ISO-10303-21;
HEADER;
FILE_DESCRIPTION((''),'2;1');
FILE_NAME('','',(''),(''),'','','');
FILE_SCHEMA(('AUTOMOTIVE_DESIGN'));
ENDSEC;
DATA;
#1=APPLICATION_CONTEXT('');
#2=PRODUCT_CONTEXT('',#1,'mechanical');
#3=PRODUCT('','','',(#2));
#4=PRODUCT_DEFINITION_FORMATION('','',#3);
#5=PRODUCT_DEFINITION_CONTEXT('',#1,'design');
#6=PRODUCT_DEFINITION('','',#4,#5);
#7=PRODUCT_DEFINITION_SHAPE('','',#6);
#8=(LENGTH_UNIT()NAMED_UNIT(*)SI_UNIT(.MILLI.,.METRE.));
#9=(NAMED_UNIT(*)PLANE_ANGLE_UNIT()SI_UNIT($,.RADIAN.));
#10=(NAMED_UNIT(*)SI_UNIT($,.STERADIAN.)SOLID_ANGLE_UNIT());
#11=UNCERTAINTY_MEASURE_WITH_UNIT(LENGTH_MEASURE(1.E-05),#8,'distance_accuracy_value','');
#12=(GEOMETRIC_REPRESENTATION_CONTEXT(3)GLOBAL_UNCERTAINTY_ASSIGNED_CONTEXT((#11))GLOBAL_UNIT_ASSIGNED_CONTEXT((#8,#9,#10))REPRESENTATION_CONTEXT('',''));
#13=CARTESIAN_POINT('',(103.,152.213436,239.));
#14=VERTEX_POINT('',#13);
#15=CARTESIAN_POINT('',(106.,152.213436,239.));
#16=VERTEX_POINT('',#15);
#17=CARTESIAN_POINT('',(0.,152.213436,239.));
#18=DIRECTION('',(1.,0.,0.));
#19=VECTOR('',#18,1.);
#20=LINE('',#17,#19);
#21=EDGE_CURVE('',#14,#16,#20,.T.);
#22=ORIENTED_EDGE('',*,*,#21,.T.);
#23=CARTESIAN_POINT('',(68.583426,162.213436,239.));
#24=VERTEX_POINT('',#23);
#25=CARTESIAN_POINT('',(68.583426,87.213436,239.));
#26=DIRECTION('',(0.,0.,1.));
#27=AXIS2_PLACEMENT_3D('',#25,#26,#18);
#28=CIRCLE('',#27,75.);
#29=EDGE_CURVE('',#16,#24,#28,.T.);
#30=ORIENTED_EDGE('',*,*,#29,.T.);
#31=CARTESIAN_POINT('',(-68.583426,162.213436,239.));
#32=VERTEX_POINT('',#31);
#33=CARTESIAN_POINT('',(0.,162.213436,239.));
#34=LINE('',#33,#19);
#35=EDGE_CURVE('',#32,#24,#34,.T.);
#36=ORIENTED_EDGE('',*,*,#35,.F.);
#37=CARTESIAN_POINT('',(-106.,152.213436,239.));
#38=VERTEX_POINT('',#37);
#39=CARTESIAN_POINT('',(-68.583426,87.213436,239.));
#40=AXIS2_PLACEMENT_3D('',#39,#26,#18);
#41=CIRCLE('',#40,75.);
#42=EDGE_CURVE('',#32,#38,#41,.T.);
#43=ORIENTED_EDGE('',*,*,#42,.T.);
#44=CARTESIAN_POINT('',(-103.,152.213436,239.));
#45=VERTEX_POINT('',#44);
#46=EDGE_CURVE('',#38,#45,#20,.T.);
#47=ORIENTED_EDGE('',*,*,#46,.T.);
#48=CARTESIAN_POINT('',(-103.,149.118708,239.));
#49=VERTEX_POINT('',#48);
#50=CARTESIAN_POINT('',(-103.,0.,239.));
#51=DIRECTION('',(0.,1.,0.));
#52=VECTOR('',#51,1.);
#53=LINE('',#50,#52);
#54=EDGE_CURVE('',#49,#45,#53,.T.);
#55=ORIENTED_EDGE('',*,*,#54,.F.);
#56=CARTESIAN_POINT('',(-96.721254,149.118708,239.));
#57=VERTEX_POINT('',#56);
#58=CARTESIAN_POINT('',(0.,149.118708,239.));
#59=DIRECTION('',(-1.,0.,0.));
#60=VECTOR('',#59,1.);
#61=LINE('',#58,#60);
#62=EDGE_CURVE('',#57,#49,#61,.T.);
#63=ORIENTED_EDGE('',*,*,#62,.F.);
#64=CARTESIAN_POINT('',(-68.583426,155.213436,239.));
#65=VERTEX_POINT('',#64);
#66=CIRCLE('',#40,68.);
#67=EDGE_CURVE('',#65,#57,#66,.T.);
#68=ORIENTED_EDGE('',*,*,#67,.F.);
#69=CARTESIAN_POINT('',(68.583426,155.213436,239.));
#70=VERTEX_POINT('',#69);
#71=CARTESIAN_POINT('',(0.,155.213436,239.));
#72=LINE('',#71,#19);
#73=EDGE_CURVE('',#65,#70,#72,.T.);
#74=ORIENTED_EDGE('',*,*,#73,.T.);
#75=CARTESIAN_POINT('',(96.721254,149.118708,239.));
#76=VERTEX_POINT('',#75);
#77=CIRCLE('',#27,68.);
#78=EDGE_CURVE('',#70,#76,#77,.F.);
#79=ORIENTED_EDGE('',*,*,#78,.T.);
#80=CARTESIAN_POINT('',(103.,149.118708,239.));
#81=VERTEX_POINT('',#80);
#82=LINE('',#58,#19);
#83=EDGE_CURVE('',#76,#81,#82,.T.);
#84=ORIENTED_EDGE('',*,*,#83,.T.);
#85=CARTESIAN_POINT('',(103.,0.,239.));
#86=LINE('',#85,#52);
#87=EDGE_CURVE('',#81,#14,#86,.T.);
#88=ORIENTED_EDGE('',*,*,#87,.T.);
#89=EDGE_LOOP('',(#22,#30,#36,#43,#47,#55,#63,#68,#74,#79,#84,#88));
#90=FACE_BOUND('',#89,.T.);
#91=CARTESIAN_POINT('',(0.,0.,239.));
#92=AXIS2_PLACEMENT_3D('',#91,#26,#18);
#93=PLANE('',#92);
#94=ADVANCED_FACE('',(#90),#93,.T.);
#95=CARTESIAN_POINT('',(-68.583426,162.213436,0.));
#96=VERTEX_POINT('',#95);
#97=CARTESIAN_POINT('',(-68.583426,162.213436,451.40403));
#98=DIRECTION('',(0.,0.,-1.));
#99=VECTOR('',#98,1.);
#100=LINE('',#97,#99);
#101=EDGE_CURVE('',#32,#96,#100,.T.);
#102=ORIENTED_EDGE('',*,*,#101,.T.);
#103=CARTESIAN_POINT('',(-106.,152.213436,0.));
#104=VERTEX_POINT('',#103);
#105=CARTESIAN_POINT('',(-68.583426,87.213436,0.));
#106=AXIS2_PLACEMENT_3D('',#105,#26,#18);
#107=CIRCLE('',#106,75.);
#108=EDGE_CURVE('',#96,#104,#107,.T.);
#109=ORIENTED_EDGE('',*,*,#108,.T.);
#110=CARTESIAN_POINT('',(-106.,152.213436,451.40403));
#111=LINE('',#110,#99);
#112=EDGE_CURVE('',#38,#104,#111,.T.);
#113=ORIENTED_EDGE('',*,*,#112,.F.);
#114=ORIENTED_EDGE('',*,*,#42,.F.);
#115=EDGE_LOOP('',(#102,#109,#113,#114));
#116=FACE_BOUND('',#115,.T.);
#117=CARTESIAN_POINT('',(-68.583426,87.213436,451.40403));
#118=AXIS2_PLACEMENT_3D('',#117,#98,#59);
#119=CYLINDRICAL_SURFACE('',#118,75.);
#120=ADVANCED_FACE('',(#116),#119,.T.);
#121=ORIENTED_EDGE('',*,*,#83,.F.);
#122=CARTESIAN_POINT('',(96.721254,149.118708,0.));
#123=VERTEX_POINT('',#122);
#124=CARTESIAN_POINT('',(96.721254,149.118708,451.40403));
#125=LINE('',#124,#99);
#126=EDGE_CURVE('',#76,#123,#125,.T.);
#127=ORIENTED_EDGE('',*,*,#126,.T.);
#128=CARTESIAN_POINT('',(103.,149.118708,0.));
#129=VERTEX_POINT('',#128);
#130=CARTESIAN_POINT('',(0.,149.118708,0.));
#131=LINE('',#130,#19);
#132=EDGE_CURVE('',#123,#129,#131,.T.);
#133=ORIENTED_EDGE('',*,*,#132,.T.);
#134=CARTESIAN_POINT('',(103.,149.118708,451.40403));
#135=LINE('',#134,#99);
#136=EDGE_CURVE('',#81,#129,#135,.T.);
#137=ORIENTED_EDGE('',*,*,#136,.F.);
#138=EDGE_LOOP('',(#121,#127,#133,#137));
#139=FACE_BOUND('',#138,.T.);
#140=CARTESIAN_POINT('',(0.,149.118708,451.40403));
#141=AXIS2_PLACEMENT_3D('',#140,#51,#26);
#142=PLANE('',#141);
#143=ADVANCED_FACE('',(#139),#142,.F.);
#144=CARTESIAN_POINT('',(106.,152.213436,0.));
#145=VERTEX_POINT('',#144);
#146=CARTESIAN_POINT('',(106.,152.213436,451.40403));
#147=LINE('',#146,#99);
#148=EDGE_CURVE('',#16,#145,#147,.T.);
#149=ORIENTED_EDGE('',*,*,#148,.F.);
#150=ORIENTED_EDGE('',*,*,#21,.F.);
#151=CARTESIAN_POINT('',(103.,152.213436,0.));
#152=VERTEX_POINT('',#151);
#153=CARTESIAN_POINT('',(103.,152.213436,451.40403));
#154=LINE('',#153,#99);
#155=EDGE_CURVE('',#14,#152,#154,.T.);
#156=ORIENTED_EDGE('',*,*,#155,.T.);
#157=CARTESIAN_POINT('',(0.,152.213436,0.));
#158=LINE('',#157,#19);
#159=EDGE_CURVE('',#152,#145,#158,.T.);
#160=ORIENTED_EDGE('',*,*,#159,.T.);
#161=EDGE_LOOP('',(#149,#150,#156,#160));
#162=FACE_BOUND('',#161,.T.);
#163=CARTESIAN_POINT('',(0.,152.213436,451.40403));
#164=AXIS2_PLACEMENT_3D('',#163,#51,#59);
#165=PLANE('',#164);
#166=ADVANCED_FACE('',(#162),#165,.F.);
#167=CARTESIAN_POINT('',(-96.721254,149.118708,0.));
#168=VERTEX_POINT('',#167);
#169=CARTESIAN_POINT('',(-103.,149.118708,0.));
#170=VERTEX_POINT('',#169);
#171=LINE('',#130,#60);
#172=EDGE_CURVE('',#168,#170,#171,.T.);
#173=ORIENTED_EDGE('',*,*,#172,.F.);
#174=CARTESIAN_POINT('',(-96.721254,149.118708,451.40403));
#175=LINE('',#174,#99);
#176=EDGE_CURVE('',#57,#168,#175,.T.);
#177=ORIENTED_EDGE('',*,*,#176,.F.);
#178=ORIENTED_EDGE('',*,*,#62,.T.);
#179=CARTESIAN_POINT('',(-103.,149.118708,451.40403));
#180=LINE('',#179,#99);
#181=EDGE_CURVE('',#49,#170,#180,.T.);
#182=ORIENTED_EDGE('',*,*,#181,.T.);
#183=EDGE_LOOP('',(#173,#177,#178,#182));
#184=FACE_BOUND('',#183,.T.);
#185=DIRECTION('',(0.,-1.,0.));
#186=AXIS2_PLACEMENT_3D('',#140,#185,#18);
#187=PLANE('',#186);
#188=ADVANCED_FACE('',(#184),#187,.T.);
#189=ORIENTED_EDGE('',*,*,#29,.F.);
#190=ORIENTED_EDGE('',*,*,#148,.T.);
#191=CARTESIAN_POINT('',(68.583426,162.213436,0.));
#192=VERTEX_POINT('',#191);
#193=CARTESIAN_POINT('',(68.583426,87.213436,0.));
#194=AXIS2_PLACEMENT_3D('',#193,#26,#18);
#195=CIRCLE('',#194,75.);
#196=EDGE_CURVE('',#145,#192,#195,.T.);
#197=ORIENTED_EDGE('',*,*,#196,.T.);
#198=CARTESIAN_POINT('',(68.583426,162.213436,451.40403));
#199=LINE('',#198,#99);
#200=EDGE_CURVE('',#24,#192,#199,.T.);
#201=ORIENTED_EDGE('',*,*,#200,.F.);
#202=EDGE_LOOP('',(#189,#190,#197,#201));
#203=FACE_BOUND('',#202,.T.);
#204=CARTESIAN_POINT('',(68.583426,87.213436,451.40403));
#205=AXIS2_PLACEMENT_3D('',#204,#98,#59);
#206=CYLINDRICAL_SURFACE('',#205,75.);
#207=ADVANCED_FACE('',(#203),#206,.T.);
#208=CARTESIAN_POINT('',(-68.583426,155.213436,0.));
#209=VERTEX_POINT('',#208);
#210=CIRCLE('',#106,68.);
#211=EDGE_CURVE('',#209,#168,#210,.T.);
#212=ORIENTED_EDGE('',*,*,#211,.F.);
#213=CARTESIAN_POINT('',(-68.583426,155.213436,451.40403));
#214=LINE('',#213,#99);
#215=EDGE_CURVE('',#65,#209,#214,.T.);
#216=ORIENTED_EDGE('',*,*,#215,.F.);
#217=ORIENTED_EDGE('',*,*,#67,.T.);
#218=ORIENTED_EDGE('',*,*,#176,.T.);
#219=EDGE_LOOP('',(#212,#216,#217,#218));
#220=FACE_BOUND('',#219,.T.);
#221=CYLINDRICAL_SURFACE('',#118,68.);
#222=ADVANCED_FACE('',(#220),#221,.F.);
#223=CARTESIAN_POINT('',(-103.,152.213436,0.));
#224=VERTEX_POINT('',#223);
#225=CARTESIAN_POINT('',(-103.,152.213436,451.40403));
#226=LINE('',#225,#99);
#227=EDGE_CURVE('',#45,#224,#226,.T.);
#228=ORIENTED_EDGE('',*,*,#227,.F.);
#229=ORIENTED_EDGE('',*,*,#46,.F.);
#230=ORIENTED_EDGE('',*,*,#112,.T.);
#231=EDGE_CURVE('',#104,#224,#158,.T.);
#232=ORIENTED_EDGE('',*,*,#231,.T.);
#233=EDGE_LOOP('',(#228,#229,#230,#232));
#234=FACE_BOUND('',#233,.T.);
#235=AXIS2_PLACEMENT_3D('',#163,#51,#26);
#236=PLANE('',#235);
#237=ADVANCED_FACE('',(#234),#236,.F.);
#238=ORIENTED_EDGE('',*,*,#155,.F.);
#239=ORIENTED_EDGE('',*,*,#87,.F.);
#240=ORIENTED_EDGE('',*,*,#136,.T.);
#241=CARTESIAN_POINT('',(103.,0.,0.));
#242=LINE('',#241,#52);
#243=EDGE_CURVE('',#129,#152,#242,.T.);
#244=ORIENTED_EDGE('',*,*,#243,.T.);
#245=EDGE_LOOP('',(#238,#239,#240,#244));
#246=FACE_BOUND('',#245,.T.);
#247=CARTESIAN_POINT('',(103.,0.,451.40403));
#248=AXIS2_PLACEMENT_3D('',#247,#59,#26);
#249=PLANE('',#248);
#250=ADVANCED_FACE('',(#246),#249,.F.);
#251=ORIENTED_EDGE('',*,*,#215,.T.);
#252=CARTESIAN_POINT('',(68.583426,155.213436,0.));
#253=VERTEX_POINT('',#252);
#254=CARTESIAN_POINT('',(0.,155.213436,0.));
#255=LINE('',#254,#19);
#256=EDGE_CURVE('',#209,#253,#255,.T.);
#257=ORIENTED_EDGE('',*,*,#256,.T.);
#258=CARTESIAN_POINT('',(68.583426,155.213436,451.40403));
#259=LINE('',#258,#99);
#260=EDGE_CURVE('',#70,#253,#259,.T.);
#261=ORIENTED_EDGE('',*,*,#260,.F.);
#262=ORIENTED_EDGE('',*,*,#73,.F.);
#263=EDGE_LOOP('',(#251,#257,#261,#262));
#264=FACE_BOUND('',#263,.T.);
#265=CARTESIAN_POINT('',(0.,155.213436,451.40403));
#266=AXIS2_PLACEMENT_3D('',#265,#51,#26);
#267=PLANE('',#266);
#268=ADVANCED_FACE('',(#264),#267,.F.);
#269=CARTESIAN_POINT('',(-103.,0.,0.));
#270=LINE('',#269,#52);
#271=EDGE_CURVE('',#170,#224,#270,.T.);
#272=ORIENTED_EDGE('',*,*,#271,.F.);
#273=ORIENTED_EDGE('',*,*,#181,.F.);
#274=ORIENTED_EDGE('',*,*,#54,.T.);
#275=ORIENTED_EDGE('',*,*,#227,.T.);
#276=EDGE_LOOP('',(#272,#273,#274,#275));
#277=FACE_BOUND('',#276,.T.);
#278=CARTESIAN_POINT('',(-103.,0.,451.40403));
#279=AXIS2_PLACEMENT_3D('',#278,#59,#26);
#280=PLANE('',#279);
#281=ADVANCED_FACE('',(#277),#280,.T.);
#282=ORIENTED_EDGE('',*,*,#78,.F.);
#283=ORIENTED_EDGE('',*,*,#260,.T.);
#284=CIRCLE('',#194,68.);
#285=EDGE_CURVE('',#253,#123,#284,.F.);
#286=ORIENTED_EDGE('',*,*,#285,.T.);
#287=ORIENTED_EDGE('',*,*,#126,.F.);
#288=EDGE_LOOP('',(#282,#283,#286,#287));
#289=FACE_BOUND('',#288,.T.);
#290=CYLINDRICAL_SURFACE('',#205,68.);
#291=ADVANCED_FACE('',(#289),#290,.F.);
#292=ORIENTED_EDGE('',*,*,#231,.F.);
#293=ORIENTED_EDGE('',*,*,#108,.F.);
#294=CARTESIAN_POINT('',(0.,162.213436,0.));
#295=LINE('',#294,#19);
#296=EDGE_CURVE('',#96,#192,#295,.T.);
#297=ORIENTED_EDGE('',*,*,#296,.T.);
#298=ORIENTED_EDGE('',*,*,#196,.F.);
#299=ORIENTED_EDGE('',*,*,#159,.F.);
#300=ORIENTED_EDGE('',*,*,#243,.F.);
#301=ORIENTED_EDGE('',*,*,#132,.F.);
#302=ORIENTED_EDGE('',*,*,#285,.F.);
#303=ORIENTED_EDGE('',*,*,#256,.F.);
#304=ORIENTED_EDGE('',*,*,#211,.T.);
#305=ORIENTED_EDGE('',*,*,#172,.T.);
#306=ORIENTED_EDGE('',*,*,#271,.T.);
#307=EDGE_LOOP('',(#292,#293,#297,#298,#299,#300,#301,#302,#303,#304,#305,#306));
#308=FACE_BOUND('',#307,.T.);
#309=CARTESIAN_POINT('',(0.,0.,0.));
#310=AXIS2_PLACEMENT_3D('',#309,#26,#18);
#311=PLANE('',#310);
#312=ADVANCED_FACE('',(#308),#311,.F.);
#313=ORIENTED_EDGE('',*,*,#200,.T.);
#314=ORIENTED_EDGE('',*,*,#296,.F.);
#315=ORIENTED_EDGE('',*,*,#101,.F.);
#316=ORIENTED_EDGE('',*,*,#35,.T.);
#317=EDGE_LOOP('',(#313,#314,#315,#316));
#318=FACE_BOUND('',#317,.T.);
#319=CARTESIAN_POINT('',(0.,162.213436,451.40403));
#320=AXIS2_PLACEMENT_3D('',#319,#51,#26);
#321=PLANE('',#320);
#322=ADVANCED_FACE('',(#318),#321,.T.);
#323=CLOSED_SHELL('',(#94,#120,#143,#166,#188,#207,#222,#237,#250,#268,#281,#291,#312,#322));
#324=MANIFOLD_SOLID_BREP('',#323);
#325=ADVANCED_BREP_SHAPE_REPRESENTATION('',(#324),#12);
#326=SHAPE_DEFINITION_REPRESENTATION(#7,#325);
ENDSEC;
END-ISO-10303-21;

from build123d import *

# Parameters (mm, degrees)
BOSS_EXTRUDE1_DEPTH = 239


with BuildPart() as part:
    # Sketch1 → Boss-Extrude1 (new body)
    with BuildSketch(Plane.XY):
        with BuildLine():
            Line((-68.583426133, 162.213436382), (68.583426132, 162.213436382))
            ThreePointArc((68.583426132, 162.213436382), (87.948342863, 159.670320113), (106, 152.213436382))
            Line((106, 152.213436382), (103, 152.213436382))
            Line((103, 152.213436382), (103, 149.118708113))
            Line((103, 149.118708113), (96.721253554, 149.118708113))
            ThreePointArc((96.721253554, 149.118708113), (82.978590639, 153.67229011), (68.583426132, 155.213436382))
            Line((68.583426132, 155.213436382), (-68.583426133, 155.213436382))
            ThreePointArc((-68.583426133, 155.213436382), (-82.978590639, 153.67229011), (-96.721253554, 149.118708113))
            Line((-96.721253554, 149.118708113), (-103, 149.118708113))
            Line((-103, 149.118708113), (-103, 152.213436382))
            Line((-103, 152.213436382), (-106, 152.213436382))
            ThreePointArc((-106, 152.213436382), (-87.948342864, 159.670320113), (-68.583426133, 162.213436382))
        make_face()
    extrude(amount=BOSS_EXTRUDE1_DEPTH)


solid = part.part
